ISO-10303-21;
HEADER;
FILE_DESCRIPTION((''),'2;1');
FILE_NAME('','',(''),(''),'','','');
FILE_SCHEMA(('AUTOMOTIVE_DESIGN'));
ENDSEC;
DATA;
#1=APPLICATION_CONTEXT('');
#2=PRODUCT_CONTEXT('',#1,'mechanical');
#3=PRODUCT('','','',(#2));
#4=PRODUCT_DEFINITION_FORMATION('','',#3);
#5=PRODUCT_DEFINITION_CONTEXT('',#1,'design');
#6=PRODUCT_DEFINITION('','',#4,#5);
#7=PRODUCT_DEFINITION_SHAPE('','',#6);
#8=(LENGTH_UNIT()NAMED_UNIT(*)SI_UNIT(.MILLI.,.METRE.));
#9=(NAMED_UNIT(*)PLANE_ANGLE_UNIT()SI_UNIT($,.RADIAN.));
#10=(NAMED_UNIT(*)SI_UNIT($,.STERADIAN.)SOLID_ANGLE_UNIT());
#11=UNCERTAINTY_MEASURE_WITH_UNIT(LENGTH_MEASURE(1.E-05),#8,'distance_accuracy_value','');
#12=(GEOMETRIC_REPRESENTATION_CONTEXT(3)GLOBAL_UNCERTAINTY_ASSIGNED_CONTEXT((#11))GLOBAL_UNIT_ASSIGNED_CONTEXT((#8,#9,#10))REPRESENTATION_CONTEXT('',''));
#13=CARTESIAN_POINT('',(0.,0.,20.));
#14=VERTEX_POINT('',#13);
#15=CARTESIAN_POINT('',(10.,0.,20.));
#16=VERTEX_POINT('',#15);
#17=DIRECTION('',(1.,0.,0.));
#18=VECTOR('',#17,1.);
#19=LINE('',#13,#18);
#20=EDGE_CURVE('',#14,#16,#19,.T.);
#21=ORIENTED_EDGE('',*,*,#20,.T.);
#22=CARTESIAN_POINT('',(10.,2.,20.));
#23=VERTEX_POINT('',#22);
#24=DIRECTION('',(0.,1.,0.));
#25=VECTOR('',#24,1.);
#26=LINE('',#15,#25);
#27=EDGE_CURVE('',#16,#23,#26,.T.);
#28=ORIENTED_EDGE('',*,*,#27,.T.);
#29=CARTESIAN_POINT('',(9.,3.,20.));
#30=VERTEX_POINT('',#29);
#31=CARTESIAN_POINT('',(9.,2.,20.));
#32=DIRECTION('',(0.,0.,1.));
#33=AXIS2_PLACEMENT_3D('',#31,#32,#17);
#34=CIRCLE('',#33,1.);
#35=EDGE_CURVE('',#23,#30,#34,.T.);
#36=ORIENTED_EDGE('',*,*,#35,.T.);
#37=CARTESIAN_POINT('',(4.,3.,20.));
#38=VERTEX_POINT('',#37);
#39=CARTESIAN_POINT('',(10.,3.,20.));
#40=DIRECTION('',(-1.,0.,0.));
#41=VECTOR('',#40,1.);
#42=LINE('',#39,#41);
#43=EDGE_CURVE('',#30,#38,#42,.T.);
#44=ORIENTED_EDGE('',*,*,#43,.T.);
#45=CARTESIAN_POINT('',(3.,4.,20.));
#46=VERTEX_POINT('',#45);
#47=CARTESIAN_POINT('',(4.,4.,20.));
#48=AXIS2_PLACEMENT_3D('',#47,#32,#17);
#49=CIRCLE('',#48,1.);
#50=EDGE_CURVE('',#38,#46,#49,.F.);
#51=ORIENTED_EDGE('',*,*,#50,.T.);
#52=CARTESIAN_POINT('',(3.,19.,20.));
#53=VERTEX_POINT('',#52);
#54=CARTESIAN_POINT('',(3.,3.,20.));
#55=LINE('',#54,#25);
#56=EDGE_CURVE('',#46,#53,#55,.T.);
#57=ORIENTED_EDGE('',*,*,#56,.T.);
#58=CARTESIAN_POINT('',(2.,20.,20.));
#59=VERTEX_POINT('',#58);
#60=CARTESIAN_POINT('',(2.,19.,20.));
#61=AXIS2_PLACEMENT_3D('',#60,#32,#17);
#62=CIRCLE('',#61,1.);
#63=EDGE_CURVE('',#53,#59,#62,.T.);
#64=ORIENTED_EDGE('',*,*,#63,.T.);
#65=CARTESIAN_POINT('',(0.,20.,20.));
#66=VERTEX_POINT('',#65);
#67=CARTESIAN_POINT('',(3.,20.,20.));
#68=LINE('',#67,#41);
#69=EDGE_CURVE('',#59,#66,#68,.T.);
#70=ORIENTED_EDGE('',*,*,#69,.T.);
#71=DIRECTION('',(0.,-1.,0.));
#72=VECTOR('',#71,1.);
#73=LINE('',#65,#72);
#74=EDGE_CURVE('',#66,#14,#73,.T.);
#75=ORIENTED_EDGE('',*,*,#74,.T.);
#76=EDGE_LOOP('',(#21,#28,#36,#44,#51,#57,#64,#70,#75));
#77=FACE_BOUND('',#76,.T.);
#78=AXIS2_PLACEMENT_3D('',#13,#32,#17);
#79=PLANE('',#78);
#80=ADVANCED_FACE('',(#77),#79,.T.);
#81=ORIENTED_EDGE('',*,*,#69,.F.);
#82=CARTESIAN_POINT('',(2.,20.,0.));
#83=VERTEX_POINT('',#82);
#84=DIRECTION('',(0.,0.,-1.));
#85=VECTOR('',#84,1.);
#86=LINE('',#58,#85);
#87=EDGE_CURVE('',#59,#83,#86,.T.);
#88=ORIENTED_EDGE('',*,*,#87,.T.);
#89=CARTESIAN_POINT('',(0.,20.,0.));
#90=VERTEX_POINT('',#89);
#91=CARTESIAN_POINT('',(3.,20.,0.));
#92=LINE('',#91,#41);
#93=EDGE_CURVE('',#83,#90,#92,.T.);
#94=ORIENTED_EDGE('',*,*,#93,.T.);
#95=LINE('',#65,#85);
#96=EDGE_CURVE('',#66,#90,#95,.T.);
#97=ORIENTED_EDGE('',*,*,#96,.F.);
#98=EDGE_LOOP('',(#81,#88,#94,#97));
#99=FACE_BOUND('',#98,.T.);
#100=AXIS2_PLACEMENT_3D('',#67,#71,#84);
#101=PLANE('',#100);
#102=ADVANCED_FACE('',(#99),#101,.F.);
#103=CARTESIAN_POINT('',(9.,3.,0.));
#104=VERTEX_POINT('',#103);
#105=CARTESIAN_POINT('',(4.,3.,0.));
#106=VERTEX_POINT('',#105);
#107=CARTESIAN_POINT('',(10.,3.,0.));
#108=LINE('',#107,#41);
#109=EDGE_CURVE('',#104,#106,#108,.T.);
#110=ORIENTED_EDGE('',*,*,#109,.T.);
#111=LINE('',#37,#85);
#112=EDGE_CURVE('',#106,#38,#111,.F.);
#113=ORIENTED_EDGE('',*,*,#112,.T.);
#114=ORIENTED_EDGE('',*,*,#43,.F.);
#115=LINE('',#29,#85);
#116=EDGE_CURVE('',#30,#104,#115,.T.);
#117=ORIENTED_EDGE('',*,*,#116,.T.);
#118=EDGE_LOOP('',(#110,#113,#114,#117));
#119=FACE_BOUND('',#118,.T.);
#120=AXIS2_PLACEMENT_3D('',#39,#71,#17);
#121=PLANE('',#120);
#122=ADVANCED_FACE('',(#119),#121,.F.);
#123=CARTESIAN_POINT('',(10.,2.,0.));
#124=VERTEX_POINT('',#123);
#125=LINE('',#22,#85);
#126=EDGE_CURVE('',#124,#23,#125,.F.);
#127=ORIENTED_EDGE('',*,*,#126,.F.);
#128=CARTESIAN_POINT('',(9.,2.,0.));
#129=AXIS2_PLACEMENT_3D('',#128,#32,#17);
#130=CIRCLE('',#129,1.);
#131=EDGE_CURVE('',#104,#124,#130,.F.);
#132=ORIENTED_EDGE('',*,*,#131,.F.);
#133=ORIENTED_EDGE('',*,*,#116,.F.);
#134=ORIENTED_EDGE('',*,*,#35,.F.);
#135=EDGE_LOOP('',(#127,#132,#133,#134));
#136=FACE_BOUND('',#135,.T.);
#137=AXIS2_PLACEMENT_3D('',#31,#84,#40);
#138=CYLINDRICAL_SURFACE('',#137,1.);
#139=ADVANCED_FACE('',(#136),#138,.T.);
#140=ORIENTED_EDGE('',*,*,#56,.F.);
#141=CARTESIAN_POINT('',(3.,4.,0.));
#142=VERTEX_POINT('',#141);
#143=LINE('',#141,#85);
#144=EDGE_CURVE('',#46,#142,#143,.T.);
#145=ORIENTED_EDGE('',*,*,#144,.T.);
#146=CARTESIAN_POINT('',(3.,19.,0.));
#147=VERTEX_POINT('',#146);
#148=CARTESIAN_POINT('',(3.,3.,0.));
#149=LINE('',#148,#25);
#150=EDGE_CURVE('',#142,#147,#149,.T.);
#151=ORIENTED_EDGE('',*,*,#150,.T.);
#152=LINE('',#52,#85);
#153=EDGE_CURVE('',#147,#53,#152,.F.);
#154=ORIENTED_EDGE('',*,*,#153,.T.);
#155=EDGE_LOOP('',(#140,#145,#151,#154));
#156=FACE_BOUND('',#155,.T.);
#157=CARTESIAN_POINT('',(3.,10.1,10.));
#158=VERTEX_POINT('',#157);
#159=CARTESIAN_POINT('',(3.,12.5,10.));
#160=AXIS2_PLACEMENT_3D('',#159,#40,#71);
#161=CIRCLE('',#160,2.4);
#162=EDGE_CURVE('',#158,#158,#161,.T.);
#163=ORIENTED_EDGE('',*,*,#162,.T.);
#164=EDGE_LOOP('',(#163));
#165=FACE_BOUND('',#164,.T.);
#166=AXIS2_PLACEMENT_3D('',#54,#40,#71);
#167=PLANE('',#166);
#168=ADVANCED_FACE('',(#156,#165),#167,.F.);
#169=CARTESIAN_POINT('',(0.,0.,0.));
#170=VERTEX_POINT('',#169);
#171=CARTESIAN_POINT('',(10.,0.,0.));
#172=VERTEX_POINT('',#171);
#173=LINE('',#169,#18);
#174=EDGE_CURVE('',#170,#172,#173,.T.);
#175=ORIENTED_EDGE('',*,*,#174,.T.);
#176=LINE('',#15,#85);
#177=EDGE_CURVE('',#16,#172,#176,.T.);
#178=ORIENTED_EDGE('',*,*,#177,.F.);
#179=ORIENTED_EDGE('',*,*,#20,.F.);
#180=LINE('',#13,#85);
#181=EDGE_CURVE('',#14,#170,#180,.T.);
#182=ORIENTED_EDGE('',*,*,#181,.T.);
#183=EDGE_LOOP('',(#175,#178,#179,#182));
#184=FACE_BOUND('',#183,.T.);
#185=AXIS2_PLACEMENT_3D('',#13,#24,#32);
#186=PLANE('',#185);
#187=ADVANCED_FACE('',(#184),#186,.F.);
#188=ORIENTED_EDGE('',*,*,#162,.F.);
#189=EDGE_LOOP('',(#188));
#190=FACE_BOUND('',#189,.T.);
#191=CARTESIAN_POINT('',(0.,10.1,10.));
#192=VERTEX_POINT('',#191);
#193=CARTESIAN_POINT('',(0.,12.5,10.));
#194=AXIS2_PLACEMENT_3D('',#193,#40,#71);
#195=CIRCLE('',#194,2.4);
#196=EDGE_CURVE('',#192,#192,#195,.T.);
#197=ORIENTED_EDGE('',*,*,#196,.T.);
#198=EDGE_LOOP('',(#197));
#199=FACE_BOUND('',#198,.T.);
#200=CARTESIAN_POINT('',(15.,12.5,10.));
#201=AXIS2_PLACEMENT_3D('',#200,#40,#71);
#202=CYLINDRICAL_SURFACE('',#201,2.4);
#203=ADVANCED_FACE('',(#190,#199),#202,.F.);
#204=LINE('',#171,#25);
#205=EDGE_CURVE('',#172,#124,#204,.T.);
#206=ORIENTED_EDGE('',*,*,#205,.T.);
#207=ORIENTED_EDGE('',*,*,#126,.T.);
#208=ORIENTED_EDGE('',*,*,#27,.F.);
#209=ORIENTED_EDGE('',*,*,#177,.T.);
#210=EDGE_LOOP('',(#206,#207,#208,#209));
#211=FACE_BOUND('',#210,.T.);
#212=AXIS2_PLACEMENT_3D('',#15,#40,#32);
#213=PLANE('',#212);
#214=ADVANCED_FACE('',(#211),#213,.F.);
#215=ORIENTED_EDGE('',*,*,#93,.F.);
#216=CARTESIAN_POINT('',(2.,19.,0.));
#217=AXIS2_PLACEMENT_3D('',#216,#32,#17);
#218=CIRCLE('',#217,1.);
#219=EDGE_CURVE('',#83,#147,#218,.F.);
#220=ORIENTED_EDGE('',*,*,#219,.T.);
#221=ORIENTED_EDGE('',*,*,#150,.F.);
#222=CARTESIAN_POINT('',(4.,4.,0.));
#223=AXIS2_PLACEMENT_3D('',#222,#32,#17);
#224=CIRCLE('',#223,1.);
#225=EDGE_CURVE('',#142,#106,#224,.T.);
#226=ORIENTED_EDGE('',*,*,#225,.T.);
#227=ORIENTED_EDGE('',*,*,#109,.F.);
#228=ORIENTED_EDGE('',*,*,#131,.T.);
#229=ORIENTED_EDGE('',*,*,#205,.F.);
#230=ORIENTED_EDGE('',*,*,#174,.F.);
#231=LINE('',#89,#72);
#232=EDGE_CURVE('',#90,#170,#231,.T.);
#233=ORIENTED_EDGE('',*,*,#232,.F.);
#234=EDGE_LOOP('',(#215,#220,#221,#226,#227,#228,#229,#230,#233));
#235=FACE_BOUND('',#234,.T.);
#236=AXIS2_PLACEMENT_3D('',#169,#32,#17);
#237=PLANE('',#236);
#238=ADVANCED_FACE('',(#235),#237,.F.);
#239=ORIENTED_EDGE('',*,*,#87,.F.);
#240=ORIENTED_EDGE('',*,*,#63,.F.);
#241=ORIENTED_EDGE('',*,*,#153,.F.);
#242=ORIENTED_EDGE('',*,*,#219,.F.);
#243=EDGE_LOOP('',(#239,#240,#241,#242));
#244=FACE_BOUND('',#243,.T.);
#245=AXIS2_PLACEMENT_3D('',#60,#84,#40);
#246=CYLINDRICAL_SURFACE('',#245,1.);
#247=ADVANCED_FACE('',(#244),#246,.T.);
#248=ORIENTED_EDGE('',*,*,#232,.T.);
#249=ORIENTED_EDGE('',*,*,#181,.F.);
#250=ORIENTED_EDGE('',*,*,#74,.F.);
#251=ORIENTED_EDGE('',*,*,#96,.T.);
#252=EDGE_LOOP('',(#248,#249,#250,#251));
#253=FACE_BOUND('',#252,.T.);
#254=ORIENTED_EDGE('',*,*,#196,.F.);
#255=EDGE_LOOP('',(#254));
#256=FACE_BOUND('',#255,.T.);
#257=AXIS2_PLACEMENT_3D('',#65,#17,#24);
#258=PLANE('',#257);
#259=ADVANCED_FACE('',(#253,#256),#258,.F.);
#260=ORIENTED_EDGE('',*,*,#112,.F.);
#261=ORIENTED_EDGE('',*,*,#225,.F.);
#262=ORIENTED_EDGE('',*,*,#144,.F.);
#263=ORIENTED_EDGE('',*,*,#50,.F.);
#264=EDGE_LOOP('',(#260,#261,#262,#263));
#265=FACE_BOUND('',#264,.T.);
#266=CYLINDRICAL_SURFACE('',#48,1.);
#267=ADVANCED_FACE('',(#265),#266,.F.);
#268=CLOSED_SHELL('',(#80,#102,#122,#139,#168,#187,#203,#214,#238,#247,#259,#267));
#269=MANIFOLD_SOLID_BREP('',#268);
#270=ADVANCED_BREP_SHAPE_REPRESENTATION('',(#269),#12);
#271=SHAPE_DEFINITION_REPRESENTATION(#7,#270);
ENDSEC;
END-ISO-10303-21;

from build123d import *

# Parameters (mm, degrees)
EXTRUDE_1_DEPTH     = 20
SKETCH_2_R          = 2.4
CUT_EXTRUDE_1_DEPTH = 15
FILLET_1_R          = 1


with BuildPart() as part:
    # 草图1 → 凸台-拉伸1 (new body)
    with BuildSketch(Plane.XY):
        Polygon((0, 20), (0, 0), (10, 0), (10, 3), (3, 3), (3, 20), align=None)
    extrude(amount=EXTRUDE_1_DEPTH)

    # 草图2 → 切除-拉伸1 (cut)
    with BuildSketch(Plane.ZY):
        with Locations(Location((10, 12.5, 0), (0, 0, 270))):
            Circle(SKETCH_2_R)
    extrude(amount=-CUT_EXTRUDE_1_DEPTH, mode=Mode.SUBTRACT)

    # 圆角1
    fillet_1_edges = [part.edges().sort_by_distance(p)[0] for p in [
        (3, 20, 10),
        (3, 3, 10),
        (10, 3, 10),
    ]]
    fillet(fillet_1_edges, radius=FILLET_1_R)


solid = part.part
